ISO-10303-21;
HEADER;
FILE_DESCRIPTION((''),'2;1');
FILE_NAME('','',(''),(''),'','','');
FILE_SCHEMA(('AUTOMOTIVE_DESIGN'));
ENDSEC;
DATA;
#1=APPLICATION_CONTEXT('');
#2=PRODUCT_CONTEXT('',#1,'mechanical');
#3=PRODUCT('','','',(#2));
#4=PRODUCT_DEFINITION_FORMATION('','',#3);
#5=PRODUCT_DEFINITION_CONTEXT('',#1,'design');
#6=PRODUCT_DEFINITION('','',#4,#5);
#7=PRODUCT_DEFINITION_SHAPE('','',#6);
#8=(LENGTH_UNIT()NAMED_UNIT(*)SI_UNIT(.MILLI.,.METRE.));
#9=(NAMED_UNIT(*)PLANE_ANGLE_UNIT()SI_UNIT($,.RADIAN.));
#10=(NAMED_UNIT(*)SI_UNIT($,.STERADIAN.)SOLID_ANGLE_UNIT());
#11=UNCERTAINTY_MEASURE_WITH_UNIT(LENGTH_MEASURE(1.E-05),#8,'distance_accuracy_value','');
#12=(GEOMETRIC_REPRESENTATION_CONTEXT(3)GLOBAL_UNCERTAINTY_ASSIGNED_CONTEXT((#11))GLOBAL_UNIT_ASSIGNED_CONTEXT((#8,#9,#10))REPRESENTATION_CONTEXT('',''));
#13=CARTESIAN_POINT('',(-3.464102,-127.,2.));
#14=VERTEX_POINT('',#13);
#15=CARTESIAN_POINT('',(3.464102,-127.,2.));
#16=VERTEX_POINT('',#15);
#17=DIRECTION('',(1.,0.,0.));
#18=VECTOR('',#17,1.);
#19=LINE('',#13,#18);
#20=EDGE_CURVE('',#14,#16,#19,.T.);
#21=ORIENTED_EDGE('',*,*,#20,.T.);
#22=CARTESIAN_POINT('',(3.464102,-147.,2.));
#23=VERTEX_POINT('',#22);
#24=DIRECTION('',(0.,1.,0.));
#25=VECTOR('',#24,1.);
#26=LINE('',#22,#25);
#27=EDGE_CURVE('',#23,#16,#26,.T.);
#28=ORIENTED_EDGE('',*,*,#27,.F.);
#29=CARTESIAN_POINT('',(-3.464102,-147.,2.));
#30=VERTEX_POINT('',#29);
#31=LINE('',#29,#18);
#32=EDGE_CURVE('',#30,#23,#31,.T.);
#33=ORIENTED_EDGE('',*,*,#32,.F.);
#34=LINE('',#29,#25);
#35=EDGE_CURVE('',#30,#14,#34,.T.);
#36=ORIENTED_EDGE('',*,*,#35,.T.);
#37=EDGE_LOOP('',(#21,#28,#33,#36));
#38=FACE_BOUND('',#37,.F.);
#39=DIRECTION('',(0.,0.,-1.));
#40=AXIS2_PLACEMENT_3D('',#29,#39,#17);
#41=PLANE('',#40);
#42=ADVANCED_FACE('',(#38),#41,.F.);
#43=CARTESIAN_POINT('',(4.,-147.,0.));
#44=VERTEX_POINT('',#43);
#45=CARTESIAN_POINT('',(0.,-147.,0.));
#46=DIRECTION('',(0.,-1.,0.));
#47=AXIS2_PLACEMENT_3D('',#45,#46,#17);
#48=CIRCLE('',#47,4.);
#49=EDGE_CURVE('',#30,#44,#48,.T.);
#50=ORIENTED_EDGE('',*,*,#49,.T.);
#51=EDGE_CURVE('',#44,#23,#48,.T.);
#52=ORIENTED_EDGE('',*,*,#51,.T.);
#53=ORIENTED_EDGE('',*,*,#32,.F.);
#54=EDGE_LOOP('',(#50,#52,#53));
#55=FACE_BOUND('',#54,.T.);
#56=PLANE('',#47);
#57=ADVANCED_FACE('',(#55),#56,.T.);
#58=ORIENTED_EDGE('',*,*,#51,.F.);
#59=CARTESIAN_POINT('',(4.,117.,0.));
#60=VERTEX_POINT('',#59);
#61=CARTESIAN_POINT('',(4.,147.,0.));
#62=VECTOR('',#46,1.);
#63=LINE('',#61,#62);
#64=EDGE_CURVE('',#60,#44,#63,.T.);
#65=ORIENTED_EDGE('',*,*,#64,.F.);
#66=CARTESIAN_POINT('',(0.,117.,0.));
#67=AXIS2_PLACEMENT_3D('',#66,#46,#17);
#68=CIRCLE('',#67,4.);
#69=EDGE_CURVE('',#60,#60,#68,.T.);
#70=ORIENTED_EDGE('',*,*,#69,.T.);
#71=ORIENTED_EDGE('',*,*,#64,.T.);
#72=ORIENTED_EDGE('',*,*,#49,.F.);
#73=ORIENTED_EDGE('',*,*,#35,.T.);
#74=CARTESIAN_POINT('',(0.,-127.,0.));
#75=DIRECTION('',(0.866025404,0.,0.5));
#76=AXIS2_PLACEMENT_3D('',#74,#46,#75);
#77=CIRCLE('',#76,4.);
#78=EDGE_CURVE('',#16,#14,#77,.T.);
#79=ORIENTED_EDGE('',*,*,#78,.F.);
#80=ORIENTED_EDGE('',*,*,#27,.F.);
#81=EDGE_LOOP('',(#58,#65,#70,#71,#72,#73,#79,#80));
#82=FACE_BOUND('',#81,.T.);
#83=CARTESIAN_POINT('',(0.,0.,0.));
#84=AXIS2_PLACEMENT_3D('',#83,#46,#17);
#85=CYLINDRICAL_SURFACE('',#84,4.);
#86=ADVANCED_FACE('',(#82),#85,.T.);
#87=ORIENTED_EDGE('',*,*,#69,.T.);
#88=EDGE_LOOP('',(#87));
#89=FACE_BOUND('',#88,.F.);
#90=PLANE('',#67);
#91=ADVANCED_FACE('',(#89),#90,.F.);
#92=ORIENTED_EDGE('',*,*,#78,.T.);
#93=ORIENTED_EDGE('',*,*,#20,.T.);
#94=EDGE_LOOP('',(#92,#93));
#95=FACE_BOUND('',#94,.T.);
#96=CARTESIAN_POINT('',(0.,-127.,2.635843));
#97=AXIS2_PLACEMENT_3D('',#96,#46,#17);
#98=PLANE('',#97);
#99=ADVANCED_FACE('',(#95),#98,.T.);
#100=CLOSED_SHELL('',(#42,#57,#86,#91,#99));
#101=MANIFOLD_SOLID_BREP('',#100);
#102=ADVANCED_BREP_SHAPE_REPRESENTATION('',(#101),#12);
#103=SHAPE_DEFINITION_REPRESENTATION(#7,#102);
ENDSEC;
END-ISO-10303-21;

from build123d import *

# Parameters (mm, degrees)
F0_R     = 4
F1_DEPTH = 147
F3_DEPTH = 20
F4_DEPTH = 30


with BuildPart() as f1:
    # F0 (on Front) → F1 (new body, symmetric)
    with BuildSketch(Plane.XZ):
        Circle(F0_R)
    extrude(amount=F1_DEPTH, both=True)

    # F2 (on face) → F3 (cut)
    with BuildSketch(Plane.XZ.offset(147)):
        with BuildLine():
            Line((-3.4641016151, 2), (3.4641016151, 2))
            ThreePointArc((3.4641016151, 2), (0, 4), (-3.4641016151, 2))
        make_face()
    extrude(amount=-F3_DEPTH, mode=Mode.SUBTRACT)

    # F4 (cut): a face of the model
    f4_faces = [f1.faces().sort_by_distance(p)[0] for p in [
        (0, 147, 0),
    ]]
    extrude(f4_faces, amount=-F4_DEPTH, mode=Mode.SUBTRACT)


solid = f1.part
